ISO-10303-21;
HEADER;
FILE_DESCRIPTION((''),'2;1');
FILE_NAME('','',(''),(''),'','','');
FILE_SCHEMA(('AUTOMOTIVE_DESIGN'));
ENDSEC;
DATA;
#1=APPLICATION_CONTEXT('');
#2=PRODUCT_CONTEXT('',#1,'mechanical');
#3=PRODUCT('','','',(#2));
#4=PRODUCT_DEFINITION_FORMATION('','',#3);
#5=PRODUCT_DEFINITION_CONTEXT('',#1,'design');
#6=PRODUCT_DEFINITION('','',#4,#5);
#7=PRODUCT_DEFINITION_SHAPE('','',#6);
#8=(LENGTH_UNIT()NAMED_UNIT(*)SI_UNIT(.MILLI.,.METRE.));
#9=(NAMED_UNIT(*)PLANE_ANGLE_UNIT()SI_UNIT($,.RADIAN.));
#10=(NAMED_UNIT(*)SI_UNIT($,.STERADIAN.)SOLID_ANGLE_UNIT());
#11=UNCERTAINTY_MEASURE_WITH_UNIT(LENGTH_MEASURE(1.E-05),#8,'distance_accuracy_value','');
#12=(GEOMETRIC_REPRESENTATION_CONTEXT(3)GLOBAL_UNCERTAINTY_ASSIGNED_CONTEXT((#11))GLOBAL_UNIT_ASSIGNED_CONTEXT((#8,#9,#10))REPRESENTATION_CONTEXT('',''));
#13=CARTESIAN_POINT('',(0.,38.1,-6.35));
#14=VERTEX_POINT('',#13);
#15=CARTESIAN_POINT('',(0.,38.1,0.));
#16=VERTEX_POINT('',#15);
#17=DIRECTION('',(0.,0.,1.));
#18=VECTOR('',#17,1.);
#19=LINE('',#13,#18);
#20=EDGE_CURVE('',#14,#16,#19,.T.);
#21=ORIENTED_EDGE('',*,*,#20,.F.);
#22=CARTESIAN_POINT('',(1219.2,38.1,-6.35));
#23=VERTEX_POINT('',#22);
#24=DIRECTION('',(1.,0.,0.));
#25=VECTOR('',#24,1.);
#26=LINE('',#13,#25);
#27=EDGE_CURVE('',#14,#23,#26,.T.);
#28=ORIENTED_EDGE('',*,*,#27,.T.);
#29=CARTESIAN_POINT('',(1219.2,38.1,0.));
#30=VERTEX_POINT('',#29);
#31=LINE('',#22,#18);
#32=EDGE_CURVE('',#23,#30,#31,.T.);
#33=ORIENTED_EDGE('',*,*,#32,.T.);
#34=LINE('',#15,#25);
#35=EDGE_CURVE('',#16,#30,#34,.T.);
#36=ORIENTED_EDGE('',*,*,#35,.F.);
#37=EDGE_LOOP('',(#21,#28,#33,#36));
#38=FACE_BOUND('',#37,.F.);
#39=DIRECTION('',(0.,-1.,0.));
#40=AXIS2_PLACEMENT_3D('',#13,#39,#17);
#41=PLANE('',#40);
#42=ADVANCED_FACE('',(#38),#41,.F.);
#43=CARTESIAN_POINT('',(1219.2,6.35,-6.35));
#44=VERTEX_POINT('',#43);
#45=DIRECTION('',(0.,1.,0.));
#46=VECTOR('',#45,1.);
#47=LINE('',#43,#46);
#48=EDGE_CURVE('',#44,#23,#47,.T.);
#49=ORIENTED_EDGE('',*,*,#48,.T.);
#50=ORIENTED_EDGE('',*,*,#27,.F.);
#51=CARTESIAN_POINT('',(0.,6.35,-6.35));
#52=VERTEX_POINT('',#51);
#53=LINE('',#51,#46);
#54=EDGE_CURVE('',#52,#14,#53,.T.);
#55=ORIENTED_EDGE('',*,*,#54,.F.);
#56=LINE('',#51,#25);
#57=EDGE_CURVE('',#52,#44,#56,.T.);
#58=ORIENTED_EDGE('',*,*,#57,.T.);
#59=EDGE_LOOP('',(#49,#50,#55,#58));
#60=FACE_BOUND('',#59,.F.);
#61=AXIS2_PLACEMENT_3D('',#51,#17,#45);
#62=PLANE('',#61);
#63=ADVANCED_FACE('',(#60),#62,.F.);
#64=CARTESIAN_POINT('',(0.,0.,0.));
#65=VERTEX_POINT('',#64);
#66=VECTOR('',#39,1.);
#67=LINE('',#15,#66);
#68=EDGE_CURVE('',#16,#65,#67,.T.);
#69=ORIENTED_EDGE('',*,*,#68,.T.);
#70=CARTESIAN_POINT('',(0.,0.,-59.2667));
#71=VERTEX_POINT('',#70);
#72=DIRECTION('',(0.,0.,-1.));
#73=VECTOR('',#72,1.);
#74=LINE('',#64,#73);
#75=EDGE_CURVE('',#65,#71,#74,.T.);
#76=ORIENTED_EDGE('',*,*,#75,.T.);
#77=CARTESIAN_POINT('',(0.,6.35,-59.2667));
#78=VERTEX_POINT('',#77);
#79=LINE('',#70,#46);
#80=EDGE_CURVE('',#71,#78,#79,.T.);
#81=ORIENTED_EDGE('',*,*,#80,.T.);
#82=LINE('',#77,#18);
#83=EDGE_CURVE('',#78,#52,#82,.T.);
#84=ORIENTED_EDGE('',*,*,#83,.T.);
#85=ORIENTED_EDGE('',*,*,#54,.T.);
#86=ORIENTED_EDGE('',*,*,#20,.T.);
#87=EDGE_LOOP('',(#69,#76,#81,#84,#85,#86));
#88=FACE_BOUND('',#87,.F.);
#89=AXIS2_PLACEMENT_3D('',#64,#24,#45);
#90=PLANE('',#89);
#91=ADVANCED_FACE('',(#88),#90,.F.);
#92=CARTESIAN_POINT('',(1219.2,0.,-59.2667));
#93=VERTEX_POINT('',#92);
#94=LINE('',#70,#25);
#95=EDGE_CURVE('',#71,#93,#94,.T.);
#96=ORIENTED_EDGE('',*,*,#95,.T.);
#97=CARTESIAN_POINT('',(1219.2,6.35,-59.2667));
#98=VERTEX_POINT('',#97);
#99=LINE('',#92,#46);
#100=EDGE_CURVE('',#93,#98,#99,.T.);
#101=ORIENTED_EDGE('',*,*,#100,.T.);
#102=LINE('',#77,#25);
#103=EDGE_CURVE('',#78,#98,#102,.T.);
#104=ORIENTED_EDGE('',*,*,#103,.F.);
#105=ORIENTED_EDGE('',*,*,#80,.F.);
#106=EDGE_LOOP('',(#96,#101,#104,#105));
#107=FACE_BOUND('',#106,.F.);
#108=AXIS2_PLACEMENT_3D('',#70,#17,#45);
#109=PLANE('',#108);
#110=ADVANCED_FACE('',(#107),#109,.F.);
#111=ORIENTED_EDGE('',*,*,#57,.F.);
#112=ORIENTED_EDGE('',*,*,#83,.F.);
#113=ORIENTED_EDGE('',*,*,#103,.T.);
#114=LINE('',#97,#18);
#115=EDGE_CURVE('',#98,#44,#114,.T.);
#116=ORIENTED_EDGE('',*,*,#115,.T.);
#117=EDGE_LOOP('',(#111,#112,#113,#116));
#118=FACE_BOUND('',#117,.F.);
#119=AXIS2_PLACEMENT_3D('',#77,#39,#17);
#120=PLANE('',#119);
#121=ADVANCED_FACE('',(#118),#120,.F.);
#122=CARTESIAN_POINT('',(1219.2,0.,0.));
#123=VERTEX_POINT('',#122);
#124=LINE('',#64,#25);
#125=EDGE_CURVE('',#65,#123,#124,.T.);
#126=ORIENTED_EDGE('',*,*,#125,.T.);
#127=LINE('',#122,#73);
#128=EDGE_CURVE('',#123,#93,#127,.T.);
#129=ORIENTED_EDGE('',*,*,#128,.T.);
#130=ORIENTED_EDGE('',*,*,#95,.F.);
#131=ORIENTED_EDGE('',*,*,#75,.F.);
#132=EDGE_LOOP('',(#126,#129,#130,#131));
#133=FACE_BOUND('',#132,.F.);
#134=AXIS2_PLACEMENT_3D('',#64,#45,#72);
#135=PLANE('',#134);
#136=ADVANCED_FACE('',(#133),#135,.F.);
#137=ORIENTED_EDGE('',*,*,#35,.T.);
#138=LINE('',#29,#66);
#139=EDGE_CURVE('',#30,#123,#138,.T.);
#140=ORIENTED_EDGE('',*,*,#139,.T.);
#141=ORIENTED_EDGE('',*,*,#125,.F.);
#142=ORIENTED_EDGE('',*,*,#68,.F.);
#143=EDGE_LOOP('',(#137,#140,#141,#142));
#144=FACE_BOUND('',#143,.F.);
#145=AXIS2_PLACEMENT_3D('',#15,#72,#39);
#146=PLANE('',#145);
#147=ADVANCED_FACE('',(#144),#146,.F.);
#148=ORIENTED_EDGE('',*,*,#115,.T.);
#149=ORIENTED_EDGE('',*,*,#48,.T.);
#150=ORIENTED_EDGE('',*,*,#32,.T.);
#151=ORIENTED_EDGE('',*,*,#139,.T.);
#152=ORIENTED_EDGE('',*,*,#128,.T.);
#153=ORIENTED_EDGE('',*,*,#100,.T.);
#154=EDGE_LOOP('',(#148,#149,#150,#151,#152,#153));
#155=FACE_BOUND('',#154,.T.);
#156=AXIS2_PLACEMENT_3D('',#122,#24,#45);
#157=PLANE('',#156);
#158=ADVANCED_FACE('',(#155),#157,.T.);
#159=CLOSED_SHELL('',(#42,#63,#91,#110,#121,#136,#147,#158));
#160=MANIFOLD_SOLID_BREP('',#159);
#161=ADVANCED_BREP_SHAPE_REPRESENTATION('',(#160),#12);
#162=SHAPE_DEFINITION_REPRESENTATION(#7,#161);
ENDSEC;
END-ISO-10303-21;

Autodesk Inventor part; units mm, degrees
ref_plane "YZ Plane" through (0, 0, 0) normal (1, 0, 0) x (0, 1, 0)
ref_plane "XZ Plane" through (0, 0, 0) normal (0, 1, 0) x (-1, 0, 0)
ref_plane "XY Plane" through (0, 0, 0) normal (0, 0, 1) x (1, 0, 0)
sketch "Sketch1" plane through (0, 0, 0) normal (1, 0, 0) x (0, 1, 0)
  line L0 (0, 0) -> (0, -59.2667)
  line L1 (0, -59.2667) -> (6.35, -59.2667)
  line L2 (6.35, -59.2667) -> (6.35, -6.35)
  line L3 (6.35, -6.35) -> (38.1, -6.35)
  line L4 (38.1, -6.35) -> (38.1, 0)
  line L5 (38.1, 0) -> (0, 0)
  dimension "d0" = 38.1
  dimension "d1" = 59.2667
  dimension "d2" = 6.35
  dimension "d3" = 6.35
extrude "Extrusion1" add sketch "Sketch1" along normal blind 1219.2
properties part number "Steel_L_Bracket"
